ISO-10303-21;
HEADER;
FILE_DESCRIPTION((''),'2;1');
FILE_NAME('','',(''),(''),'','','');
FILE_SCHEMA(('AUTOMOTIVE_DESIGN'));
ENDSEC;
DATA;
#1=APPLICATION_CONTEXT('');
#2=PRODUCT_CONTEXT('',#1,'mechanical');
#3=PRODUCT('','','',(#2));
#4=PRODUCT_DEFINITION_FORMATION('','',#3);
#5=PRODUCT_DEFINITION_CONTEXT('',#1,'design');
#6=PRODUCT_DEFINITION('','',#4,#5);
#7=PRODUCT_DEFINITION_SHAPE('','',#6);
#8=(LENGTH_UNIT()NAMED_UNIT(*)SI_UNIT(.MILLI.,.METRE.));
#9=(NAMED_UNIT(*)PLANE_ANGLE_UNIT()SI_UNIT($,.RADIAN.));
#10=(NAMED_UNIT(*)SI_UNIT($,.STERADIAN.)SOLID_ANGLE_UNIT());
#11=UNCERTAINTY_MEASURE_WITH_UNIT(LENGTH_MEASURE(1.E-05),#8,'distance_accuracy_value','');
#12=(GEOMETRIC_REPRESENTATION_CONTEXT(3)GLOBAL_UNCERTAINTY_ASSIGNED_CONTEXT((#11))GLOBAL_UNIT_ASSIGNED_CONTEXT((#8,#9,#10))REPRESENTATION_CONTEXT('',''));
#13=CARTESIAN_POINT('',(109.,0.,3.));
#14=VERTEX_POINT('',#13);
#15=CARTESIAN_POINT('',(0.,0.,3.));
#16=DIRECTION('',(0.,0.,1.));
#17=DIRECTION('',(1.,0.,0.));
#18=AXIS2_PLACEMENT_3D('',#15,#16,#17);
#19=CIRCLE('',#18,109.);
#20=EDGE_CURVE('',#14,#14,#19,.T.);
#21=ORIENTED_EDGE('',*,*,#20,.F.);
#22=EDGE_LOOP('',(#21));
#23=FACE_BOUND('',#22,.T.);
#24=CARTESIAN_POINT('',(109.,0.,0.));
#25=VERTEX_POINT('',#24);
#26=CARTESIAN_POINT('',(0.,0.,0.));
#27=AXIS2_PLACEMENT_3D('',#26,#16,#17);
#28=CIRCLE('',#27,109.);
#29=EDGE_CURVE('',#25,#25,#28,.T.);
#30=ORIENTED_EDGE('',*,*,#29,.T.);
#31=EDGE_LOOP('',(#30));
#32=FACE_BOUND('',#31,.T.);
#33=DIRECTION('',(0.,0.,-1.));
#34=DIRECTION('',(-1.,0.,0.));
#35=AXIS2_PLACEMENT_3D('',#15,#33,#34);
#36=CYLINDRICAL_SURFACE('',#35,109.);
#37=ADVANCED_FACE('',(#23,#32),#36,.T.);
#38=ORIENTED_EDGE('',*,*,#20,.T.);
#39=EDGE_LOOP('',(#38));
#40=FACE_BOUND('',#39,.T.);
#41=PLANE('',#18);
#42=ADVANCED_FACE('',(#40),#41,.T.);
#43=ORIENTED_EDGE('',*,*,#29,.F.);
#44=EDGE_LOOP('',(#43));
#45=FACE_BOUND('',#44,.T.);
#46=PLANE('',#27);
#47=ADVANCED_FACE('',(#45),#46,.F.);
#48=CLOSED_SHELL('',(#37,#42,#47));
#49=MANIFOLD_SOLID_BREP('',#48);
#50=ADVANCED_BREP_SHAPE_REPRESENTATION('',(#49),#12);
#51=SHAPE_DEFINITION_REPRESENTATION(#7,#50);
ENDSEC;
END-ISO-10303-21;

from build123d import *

# Parameters (mm, degrees)
ESQUISSE1_R        = 109
BOSS_EXTRU_1_DEPTH = 3


with BuildPart() as part:
    # Esquisse1 → Boss.-Extru.1 (new body)
    with BuildSketch(Plane.XY):
        Circle(ESQUISSE1_R)
    extrude(amount=BOSS_EXTRU_1_DEPTH)


solid = part.part
